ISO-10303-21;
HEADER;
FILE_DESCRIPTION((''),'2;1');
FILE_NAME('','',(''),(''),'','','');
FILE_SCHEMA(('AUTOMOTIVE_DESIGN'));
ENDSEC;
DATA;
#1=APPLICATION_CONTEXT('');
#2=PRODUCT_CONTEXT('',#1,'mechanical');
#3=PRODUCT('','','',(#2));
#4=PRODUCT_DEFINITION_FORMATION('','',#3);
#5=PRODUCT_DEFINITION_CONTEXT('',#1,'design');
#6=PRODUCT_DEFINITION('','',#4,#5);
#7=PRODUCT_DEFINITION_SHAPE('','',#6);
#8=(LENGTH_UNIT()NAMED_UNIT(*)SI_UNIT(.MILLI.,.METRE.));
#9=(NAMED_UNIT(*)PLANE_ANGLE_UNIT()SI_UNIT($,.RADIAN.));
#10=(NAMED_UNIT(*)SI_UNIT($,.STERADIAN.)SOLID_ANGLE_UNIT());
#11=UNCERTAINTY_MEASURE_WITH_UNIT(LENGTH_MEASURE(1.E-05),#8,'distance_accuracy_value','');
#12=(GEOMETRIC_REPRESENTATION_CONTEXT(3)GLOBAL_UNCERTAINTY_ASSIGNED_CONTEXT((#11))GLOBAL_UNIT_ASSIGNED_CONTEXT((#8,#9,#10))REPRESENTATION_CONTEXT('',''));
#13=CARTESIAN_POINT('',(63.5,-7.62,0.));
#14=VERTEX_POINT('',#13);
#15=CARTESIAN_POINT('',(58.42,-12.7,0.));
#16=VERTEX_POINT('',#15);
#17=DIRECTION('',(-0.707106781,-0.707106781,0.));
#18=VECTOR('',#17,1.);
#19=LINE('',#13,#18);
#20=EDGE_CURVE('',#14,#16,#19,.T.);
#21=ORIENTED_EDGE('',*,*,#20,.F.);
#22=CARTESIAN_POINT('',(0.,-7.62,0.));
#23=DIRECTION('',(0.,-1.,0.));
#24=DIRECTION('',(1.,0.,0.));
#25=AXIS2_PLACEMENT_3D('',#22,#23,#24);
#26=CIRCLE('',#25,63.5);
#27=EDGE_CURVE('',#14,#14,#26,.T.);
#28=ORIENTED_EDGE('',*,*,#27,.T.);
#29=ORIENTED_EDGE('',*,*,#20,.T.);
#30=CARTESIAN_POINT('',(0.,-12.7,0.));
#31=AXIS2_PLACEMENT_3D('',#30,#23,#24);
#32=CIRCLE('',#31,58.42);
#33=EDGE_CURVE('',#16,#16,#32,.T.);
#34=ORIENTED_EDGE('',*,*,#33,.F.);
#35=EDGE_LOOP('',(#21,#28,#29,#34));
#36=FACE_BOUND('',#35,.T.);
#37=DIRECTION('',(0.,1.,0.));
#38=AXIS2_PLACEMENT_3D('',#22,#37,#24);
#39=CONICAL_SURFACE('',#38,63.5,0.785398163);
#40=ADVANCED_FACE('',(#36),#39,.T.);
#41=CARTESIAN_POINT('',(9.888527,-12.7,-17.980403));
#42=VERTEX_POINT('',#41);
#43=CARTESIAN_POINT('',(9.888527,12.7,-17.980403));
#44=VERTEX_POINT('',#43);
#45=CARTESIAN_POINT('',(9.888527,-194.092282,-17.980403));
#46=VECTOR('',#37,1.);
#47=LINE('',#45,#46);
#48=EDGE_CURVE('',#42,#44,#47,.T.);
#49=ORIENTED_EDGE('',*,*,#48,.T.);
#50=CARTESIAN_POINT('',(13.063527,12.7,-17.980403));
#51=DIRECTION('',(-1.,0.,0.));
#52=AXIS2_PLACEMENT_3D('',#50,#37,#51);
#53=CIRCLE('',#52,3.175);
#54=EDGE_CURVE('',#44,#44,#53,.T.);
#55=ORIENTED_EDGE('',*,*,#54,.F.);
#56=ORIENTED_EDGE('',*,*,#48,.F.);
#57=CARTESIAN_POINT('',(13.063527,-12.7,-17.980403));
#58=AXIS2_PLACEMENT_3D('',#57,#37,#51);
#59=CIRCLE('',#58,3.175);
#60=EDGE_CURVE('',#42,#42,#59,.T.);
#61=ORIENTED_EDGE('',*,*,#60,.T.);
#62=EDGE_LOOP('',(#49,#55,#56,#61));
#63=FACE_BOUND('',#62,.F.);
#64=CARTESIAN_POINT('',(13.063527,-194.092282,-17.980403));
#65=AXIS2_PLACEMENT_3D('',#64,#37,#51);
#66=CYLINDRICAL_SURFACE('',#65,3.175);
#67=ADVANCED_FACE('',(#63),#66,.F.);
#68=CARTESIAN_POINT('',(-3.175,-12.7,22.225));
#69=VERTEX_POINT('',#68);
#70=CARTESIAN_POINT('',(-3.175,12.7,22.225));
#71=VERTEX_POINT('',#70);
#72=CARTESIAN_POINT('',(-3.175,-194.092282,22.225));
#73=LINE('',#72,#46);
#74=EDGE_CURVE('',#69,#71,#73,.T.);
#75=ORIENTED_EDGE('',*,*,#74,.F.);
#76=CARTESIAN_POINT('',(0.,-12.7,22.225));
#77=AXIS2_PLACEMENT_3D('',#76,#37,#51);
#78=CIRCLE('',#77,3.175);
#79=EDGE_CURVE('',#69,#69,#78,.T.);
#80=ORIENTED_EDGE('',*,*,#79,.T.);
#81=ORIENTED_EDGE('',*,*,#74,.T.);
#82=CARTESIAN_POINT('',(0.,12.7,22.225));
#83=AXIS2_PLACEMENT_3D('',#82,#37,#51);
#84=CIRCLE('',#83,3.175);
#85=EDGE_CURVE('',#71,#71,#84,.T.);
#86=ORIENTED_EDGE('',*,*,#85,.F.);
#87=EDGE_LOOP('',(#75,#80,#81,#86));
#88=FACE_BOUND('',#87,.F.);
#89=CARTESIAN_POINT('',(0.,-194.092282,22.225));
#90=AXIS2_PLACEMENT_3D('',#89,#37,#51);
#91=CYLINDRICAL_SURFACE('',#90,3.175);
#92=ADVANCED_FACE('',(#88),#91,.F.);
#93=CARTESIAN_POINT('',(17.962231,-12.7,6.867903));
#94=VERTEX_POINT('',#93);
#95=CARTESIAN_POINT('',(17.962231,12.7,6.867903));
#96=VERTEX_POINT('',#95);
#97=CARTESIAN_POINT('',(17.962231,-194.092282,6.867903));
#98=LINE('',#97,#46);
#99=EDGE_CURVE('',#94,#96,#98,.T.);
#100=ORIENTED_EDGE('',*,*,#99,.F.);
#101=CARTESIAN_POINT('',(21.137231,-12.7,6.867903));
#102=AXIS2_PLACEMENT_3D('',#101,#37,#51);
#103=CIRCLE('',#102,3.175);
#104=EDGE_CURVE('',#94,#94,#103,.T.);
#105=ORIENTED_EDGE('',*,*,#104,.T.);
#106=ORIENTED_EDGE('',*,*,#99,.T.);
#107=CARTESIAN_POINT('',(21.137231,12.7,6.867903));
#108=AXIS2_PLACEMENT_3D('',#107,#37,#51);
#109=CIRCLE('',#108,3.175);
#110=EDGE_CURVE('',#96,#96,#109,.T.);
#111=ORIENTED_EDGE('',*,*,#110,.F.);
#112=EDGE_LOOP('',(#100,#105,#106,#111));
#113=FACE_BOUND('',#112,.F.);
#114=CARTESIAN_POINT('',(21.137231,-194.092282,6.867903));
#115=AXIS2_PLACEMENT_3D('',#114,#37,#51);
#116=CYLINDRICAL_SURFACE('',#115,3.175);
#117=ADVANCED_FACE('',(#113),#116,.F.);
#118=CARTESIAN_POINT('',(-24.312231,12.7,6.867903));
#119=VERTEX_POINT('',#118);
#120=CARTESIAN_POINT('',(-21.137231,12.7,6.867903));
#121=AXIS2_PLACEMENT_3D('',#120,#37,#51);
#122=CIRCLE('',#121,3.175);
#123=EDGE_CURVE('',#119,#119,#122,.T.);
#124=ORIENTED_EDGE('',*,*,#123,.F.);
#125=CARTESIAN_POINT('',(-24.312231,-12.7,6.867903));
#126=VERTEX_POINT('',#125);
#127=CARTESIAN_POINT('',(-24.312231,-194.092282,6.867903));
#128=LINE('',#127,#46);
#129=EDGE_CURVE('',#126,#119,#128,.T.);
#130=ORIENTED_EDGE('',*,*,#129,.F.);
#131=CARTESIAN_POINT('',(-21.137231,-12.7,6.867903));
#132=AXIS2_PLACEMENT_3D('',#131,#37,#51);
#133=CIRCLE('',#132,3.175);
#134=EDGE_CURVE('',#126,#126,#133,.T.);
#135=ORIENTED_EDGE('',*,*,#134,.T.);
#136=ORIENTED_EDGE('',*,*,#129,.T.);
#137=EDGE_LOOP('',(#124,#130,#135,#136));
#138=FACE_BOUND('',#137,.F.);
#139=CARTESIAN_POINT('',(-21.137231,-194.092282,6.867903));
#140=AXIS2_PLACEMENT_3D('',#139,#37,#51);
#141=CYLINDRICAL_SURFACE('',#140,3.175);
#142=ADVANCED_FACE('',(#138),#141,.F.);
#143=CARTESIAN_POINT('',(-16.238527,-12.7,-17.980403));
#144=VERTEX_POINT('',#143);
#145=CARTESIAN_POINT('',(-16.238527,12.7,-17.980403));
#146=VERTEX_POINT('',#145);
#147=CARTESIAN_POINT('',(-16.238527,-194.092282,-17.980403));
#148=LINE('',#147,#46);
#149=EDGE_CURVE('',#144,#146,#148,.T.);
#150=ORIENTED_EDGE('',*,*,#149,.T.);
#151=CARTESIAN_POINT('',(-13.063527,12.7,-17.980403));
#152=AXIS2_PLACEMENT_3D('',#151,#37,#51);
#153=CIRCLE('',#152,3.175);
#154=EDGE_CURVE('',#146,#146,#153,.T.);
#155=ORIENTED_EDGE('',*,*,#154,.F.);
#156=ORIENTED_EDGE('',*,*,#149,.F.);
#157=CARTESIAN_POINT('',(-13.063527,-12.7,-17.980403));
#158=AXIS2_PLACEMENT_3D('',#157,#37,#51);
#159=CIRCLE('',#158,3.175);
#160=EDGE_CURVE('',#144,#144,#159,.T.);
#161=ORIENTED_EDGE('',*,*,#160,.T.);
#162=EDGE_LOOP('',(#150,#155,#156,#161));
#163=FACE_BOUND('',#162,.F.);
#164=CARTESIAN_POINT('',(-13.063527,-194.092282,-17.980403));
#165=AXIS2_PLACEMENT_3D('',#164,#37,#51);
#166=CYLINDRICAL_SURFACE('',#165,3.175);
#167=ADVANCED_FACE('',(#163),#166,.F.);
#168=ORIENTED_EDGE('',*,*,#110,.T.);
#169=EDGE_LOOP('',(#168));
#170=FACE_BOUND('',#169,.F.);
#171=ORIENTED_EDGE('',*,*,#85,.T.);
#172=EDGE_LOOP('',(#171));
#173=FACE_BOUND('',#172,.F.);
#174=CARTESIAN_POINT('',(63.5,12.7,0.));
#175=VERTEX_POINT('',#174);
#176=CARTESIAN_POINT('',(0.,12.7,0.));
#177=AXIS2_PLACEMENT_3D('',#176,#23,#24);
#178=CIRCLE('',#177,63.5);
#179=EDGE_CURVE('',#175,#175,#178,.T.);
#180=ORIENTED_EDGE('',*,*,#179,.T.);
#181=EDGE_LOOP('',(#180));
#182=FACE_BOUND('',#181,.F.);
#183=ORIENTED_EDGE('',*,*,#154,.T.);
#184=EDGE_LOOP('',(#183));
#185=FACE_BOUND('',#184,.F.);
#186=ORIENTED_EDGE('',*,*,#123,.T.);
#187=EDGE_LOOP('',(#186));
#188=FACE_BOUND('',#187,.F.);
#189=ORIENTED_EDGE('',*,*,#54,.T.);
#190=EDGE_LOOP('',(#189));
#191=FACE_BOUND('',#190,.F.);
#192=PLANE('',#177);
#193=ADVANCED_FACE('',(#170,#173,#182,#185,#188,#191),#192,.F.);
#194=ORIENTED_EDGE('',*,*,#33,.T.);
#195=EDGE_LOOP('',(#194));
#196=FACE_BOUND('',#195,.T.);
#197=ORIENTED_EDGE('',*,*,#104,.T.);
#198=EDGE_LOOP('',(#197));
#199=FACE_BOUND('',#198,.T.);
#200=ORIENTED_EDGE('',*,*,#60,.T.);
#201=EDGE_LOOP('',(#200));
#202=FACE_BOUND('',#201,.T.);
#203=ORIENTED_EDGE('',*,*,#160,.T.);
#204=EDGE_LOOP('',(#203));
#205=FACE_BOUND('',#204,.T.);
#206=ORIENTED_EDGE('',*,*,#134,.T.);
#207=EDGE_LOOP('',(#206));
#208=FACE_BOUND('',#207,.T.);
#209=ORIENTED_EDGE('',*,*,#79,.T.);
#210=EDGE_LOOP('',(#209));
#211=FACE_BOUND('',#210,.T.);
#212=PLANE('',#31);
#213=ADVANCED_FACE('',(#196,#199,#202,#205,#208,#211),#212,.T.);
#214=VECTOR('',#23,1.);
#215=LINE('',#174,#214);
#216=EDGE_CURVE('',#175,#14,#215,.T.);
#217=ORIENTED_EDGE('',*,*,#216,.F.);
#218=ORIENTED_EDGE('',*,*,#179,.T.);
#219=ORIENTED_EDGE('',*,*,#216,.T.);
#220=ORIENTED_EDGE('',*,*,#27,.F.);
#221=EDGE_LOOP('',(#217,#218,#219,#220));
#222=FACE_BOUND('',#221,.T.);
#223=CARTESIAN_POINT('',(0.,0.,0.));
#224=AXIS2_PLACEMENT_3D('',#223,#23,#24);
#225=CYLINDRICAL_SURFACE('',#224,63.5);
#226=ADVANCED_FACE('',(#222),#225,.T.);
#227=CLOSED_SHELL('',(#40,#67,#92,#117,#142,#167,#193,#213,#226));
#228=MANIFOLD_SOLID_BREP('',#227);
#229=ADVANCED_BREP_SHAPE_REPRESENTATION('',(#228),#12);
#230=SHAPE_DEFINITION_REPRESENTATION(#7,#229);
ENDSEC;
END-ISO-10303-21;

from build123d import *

# Parameters (mm, degrees)
F0_R     = 63.5
F1_DEPTH = 12.7
F3_D     = 6.35
F4_SIZE  = 5.08


with BuildPart() as f1:
    # F0 (on Front) → F1 (new body, symmetric)
    with BuildSketch(Plane.XZ):
        Circle(F0_R)
    extrude(amount=F1_DEPTH, both=True)

    # F3 (through all)
    with Locations(Plane.XZ.offset(12.7)):
        with Locations((0, 22.225), (21.137231, 6.867903), (13.063527, -17.980403), (-13.063527, -17.980403), (-21.137231, 6.867903)):
            Hole(F3_D / 2)

    # F4
    f4_edges = [f1.edges().sort_by_distance(p)[0] for p in [
        (-63.5, -12.7, 0),
    ]]
    chamfer(f4_edges, length=F4_SIZE)


solid = f1.part
